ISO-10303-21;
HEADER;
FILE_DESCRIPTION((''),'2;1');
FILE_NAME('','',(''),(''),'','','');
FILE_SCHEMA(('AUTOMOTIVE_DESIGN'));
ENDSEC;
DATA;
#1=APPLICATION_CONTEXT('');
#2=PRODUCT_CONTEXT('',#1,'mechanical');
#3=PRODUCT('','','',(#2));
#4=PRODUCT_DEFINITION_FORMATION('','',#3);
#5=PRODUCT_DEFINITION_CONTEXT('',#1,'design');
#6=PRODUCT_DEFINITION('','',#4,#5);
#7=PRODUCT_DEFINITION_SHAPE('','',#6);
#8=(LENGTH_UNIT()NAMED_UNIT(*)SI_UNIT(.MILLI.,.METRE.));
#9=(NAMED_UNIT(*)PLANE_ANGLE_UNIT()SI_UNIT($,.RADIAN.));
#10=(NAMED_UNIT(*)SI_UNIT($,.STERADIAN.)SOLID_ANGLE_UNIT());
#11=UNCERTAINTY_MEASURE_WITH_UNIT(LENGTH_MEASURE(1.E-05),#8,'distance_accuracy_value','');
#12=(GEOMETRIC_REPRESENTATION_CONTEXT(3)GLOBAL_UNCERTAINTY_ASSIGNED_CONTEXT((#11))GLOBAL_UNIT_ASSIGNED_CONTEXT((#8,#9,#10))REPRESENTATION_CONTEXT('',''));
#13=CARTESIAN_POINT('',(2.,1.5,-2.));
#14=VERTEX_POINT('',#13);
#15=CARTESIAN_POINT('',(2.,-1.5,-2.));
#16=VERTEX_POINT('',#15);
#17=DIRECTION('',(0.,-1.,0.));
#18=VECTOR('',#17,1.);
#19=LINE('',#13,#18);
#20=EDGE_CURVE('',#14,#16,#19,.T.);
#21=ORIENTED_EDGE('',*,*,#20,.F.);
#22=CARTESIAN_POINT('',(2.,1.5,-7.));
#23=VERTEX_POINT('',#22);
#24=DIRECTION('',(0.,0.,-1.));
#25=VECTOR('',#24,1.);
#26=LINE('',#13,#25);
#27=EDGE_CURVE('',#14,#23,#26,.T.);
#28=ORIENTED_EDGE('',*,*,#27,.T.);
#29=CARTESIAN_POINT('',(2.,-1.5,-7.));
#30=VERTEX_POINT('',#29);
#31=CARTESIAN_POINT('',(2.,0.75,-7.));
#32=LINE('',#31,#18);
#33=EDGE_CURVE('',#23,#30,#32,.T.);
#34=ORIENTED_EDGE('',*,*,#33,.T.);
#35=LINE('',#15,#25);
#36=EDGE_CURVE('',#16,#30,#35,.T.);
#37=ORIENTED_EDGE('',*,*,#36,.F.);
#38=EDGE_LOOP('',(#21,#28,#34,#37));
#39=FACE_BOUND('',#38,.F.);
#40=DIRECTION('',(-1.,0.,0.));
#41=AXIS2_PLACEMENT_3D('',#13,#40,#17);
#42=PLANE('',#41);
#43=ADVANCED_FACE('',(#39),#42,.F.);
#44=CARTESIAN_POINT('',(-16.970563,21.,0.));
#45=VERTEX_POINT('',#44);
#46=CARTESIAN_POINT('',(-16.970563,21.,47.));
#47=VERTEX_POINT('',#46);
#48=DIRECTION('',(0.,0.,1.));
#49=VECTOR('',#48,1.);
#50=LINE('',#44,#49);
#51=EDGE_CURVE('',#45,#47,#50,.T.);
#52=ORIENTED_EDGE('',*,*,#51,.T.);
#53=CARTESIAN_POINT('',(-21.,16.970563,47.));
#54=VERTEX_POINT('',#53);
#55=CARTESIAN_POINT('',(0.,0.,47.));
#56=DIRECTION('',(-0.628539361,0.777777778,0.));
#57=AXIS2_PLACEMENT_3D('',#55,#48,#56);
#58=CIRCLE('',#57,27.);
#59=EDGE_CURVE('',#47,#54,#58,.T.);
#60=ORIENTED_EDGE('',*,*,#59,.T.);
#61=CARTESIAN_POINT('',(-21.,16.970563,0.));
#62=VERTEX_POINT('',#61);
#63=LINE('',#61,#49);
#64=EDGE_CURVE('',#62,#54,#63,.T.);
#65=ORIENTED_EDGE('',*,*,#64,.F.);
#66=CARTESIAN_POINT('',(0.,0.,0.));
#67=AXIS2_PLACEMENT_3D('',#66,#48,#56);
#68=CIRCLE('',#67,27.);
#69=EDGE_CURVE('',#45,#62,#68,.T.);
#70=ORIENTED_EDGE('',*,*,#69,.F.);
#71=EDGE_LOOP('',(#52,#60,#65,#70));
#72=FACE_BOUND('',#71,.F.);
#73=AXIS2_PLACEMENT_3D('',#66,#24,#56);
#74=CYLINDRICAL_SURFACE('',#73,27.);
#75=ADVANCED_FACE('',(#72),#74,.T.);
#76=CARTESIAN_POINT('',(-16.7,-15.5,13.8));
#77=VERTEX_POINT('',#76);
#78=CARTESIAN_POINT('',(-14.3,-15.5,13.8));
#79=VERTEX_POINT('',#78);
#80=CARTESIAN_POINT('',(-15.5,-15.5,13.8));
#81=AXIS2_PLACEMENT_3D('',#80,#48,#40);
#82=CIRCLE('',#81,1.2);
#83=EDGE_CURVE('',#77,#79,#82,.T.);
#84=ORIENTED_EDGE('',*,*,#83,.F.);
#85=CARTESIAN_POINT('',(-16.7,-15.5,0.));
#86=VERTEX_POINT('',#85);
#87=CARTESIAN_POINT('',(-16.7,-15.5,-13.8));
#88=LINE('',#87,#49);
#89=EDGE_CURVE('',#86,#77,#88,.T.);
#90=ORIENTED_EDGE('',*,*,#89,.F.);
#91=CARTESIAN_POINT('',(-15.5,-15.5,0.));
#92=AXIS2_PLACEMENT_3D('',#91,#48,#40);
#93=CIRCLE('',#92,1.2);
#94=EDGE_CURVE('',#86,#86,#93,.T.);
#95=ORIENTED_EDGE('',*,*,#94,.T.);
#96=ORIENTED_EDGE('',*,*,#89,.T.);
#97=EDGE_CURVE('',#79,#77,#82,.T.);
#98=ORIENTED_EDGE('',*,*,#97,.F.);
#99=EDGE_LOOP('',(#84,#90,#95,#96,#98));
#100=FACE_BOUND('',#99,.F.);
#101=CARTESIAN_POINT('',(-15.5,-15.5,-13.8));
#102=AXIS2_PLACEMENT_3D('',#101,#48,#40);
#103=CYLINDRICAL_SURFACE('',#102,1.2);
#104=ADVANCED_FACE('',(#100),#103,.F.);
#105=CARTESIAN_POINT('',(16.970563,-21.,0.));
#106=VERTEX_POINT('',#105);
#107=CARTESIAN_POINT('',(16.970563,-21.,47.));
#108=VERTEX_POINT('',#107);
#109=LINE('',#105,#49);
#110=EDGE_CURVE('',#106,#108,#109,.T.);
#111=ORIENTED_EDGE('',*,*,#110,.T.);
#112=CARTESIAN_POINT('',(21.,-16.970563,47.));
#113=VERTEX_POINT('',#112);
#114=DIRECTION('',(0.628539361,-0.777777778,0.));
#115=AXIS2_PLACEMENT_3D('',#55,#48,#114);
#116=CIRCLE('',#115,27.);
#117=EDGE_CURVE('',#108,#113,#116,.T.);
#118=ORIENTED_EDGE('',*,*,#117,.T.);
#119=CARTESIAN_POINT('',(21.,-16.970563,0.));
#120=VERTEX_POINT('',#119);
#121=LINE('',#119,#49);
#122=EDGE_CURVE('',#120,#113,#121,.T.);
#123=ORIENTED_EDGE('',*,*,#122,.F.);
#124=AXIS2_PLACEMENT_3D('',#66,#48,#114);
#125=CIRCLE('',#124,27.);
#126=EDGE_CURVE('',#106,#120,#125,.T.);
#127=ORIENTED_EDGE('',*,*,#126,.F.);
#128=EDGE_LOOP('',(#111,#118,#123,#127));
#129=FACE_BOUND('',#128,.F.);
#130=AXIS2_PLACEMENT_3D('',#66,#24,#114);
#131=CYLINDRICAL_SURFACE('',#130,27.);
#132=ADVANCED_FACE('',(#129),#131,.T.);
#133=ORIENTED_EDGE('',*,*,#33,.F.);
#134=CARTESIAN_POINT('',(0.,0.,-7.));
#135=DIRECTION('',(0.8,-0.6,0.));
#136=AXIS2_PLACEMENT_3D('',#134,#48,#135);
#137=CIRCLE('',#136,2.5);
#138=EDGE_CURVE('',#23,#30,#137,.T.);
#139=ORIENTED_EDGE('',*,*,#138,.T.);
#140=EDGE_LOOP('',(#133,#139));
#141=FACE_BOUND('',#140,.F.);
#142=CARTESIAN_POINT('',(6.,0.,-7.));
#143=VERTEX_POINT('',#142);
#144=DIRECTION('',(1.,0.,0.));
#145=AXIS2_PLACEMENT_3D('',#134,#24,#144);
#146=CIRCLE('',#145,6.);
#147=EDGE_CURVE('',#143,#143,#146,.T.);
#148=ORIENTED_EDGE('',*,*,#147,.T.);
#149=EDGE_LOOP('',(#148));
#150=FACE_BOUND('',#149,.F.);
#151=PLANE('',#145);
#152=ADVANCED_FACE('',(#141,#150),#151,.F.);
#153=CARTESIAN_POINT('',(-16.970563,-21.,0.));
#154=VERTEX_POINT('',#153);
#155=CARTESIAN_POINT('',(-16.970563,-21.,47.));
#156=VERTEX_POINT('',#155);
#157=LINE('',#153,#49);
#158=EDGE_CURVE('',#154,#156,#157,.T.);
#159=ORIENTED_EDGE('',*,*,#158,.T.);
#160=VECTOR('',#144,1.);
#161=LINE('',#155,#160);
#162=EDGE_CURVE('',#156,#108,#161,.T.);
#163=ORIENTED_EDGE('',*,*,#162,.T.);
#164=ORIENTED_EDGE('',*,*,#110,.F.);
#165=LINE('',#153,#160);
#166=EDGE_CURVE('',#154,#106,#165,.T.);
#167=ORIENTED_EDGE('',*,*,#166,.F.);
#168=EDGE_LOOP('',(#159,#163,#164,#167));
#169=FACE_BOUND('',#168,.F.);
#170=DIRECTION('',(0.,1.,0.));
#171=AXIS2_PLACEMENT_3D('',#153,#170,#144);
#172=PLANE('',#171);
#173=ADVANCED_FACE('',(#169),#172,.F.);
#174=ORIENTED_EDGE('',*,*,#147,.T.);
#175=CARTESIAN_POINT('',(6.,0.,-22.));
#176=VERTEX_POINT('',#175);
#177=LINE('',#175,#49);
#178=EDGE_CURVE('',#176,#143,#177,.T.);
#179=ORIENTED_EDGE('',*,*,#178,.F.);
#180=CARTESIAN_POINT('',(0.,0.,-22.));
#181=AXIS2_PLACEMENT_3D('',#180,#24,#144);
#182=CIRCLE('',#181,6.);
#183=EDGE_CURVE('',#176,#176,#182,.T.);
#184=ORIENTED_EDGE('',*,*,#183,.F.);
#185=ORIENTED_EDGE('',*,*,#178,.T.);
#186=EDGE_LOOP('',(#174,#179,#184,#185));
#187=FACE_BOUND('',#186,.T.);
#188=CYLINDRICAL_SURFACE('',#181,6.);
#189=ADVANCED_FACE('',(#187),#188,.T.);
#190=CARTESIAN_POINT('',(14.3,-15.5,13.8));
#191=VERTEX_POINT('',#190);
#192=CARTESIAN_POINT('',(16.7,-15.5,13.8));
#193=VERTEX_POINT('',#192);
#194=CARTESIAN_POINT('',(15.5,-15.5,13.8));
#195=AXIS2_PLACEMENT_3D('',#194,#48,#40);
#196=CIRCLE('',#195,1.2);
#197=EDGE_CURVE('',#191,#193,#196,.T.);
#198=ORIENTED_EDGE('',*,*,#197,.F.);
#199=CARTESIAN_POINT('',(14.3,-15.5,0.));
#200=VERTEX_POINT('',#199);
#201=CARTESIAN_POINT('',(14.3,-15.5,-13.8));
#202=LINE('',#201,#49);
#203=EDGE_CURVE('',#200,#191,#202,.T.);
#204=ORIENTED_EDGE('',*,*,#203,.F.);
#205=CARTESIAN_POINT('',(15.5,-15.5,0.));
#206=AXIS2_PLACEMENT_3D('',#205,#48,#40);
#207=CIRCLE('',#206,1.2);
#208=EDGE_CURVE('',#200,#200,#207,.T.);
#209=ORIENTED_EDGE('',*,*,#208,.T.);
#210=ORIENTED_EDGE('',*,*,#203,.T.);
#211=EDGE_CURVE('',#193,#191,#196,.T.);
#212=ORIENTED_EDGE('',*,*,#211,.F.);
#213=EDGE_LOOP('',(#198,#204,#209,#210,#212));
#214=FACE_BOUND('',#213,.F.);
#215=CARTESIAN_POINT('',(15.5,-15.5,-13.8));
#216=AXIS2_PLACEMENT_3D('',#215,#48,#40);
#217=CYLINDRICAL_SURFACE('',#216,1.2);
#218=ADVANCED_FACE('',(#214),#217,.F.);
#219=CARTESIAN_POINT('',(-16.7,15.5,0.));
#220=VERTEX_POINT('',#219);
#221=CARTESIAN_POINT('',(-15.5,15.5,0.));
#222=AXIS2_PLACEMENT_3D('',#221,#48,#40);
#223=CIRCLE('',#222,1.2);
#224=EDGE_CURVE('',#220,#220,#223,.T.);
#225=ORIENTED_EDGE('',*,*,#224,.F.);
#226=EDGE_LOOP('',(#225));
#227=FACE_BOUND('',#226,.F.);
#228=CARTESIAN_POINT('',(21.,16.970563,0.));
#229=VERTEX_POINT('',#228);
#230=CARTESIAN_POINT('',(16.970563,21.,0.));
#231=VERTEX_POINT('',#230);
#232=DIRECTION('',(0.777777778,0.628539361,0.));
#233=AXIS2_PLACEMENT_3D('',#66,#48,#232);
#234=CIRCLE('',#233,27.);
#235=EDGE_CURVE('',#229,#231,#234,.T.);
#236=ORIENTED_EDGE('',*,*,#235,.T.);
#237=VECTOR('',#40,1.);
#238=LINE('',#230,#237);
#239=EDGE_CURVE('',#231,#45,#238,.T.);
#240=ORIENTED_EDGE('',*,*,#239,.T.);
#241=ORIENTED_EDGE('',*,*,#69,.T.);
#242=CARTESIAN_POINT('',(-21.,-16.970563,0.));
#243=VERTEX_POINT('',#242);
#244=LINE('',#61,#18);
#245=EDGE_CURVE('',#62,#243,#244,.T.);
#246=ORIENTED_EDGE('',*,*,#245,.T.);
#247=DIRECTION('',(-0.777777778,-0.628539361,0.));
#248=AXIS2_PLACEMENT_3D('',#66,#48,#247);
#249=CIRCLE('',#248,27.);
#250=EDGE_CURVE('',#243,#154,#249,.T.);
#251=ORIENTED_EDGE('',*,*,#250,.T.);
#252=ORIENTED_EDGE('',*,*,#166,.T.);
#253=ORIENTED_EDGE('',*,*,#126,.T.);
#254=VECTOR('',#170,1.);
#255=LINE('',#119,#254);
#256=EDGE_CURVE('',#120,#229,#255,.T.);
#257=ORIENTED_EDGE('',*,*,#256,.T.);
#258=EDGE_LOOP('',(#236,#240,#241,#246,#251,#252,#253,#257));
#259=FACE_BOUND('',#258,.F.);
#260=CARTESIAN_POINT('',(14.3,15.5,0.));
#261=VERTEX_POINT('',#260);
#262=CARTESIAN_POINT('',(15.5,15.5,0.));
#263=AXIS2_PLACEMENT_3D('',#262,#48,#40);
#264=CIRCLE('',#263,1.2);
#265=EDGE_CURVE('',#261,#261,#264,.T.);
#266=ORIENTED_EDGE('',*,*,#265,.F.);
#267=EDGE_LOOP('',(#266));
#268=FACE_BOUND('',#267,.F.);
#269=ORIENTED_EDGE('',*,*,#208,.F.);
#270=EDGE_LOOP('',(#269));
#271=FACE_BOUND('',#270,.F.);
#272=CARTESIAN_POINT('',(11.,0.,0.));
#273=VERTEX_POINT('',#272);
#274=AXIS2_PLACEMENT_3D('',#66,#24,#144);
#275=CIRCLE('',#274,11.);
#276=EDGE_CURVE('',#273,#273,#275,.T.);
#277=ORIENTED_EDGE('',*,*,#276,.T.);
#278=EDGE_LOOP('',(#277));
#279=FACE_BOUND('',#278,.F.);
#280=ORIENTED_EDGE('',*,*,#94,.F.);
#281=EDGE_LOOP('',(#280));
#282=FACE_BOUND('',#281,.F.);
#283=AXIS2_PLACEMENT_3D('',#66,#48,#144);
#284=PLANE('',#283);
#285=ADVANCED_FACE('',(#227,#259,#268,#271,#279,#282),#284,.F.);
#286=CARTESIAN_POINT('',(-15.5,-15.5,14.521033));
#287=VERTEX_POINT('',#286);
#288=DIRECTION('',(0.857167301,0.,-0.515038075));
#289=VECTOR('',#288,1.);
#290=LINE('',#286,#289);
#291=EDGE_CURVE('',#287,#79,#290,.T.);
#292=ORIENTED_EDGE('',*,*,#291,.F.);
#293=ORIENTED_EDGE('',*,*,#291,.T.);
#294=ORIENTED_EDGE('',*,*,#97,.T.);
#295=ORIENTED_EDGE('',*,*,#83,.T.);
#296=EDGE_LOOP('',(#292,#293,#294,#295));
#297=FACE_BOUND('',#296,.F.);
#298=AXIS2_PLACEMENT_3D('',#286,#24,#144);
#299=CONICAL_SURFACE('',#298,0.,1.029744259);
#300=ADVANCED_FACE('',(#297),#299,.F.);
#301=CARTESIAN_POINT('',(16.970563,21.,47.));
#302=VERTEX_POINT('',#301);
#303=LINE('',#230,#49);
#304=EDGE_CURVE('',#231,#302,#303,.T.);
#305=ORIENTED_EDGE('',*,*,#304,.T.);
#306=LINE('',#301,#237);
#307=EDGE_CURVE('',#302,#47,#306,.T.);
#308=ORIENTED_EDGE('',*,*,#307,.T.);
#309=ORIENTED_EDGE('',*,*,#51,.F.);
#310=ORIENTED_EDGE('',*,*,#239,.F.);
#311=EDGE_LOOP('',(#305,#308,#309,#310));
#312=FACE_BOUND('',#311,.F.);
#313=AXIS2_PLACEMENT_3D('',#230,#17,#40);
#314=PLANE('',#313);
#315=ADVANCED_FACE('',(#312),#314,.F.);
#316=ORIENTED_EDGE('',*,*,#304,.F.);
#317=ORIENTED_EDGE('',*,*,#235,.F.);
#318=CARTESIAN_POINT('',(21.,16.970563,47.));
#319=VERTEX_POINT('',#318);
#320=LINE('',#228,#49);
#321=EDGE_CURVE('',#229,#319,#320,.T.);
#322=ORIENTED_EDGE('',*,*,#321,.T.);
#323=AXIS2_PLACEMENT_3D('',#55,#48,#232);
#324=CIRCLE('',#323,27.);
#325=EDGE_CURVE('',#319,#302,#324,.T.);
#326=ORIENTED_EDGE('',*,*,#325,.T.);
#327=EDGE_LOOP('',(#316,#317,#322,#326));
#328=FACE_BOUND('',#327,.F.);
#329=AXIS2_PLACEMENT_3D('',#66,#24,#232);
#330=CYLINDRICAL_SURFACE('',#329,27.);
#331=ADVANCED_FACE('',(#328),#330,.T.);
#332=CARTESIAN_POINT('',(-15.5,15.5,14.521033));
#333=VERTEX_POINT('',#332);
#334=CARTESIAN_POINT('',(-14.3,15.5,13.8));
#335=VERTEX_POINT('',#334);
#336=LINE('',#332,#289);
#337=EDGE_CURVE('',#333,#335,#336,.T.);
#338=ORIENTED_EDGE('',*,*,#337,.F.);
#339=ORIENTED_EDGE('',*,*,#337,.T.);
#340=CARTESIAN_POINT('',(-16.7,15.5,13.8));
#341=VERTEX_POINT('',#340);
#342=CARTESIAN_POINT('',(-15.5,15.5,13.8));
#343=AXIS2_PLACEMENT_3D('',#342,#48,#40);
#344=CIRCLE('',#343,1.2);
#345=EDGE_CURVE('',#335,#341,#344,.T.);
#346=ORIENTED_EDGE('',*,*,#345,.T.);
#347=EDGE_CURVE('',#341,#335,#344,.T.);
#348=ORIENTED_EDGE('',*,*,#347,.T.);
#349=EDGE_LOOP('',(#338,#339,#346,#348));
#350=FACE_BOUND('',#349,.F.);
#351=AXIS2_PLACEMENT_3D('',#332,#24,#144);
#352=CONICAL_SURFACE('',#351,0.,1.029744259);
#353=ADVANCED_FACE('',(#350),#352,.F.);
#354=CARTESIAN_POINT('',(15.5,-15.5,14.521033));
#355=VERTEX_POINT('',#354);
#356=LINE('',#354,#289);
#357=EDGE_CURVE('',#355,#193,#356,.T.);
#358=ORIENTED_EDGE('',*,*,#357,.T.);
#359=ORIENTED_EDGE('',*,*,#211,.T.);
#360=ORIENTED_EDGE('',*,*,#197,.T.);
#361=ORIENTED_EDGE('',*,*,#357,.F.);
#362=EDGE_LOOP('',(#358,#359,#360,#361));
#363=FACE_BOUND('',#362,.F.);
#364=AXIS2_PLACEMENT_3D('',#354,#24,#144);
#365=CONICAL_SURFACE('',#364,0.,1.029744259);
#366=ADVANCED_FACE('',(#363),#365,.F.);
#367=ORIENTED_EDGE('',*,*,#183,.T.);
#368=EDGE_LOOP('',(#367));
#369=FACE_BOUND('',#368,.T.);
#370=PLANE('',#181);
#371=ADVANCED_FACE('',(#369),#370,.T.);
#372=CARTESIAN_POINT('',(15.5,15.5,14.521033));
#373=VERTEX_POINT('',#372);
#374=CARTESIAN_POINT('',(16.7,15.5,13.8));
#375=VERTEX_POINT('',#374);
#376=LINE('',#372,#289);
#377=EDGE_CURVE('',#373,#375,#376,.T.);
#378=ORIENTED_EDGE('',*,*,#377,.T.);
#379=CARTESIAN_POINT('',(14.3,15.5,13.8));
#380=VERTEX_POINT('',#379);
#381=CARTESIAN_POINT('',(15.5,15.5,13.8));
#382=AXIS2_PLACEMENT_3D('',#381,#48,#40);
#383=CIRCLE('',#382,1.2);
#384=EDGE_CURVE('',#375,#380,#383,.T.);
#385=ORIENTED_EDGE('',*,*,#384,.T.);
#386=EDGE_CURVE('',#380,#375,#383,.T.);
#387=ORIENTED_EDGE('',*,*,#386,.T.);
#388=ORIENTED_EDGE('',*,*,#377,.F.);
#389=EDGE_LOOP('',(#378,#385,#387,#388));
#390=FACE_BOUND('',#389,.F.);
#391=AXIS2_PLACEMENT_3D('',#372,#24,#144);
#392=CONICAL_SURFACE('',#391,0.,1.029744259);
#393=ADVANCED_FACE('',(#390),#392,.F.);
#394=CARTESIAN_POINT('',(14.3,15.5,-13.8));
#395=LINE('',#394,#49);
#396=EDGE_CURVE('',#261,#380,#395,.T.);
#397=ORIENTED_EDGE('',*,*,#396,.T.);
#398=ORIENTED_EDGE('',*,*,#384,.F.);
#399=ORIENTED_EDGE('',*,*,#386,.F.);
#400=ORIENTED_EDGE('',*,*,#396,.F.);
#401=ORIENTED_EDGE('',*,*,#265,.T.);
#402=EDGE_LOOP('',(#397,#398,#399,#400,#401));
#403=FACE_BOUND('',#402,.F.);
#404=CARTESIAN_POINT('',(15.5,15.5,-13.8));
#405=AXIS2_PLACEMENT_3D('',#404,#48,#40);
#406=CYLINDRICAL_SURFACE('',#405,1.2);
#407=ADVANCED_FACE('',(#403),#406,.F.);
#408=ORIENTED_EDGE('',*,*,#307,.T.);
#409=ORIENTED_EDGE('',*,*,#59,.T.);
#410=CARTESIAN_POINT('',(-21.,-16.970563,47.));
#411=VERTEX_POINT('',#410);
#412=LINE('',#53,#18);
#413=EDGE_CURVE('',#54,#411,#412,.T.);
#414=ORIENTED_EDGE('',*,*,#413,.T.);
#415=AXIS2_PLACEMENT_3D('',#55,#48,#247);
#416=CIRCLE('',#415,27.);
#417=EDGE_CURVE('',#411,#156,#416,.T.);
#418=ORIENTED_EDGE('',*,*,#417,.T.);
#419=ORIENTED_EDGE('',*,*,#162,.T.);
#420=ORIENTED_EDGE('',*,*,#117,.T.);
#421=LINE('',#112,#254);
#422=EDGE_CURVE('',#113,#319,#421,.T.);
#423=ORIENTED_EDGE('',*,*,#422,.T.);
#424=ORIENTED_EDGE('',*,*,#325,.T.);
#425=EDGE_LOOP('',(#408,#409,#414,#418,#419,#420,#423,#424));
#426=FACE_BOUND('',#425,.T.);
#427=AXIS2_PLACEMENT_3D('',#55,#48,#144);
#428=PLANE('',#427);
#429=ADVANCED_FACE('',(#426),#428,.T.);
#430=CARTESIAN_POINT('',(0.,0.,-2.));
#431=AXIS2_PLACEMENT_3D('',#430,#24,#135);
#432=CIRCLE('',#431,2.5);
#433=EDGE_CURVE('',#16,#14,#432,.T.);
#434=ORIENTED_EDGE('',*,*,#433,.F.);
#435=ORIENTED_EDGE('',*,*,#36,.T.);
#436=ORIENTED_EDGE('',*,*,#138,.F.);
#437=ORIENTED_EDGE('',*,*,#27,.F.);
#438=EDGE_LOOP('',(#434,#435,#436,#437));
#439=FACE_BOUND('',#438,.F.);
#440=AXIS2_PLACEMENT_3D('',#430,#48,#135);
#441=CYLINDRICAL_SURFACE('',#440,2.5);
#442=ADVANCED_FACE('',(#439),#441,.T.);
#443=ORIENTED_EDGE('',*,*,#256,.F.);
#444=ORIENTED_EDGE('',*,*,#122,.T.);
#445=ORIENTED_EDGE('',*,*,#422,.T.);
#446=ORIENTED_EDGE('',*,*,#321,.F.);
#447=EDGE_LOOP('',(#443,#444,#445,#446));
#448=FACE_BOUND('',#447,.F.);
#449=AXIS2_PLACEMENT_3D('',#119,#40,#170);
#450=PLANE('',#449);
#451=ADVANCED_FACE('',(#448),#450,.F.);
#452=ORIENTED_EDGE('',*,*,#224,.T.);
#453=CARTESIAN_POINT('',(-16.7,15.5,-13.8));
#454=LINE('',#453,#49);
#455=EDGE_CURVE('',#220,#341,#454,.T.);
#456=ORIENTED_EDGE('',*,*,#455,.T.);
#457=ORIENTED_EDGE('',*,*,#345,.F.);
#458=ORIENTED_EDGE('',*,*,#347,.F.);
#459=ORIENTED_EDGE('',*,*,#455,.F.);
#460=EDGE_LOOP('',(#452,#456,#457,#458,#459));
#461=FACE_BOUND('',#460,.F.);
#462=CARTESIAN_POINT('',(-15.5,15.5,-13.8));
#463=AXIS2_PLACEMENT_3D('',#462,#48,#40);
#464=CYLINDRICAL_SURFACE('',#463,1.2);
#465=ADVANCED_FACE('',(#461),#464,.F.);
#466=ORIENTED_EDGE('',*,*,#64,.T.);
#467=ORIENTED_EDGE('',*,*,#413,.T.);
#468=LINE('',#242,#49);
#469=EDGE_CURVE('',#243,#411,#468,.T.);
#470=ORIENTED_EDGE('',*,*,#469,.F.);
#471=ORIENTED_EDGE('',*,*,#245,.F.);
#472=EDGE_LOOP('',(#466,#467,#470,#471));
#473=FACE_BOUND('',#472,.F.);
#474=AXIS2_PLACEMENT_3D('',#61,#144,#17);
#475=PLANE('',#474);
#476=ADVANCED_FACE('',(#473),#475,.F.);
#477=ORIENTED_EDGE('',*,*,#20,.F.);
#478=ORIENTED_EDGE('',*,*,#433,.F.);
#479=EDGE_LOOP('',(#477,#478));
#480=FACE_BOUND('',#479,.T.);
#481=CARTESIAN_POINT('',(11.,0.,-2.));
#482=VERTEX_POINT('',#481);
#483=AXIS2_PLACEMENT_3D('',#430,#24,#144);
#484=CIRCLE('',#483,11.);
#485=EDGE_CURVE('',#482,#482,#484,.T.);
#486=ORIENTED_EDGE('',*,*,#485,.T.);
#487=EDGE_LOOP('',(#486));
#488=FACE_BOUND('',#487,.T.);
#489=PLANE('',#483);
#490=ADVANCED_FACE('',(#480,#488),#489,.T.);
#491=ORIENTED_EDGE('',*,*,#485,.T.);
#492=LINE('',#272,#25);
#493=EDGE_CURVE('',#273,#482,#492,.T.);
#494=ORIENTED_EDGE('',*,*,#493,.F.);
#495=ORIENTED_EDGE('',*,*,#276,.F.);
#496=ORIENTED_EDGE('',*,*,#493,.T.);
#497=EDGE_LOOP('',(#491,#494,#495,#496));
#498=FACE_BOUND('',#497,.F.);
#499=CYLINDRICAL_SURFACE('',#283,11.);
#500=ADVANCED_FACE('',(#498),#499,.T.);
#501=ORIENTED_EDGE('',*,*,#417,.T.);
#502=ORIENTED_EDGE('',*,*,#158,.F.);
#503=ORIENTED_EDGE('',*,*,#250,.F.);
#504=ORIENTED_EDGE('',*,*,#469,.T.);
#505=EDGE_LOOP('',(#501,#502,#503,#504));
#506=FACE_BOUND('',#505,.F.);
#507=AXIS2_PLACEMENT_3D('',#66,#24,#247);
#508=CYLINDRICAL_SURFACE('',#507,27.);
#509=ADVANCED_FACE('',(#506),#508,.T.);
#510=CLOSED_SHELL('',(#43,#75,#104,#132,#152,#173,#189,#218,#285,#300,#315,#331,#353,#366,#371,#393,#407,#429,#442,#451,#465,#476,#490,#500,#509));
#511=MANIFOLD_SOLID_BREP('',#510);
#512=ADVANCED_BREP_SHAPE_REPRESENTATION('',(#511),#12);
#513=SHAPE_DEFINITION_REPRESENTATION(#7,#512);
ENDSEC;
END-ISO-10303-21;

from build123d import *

# Parameters (mm, degrees)
F1_DEPTH = 47
F2_R     = 11
F3_DEPTH = 2
F4_D     = 2.4
F4_DEPTH = 13.8
F4_TIP   = 0.7210327428
F6_DEPTH = 20
F7_R     = 6
F8_DEPTH = 15


with BuildPart() as f1:
    # F0 (on Top) → F1 (new body)
    with BuildSketch(Plane.XY):
        with BuildLine():
            ThreePointArc((21, 16.9705627485), (19.091883092, 19.091883092), (16.9705627485, 21))
            Line((16.9705627485, 21), (-16.9705627485, 21))
            ThreePointArc((-16.9705627485, 21), (-19.091883092, 19.091883092), (-21, 16.9705627485))
            Line((-21, 16.9705627485), (-21, -16.9705627485))
            ThreePointArc((-21, -16.9705627485), (-19.091883092, -19.091883092), (-16.9705627485, -21))
            Line((-16.9705627485, -21), (16.9705627485, -21))
            ThreePointArc((16.9705627485, -21), (19.091883092, -19.091883092), (21, -16.9705627485))
            Line((21, -16.9705627485), (21, 16.9705627485))
        make_face()
    extrude(amount=F1_DEPTH)

    # F2 (on face) → F3 (join)
    with BuildSketch(Plane(origin=(0, 0, 0), x_dir=(1, 0, 0), z_dir=(0, 0, -1))):
        Circle(F2_R)
    extrude(amount=F3_DEPTH)

    # F4
    with Locations(Plane(origin=(0, 0, 0), x_dir=(1, 0, 0), z_dir=(0, 0, -1))):
        with Locations((-15.5, 15.5), (15.5, 15.5), (15.5, -15.5), (-15.5, -15.5)):
            Hole(F4_D / 2, depth=F4_DEPTH)
            with Locations((0, 0, -(F4_DEPTH + F4_TIP / 2))):  # 118° drill point
                Cone(0, F4_D / 2, F4_TIP, mode=Mode.SUBTRACT)

    # F5 (on face) → F6 (join)
    with BuildSketch(Plane(origin=(0, 0, -2), x_dir=(1, 0, 0), z_dir=(0, 0, -1))):
        with BuildLine():
            Line((2, -1.5), (2, 1.5))
            ThreePointArc((2, 1.5), (-2.5, 0), (2, -1.5))
        make_face()
    extrude(amount=F6_DEPTH)

    # F7 (on face) → F8 (join)
    with BuildSketch(Plane(origin=(0, 0, -22), x_dir=(1, 0, 0), z_dir=(0, 0, -1))):
        Circle(F7_R)
    extrude(amount=-F8_DEPTH)


solid = f1.part
